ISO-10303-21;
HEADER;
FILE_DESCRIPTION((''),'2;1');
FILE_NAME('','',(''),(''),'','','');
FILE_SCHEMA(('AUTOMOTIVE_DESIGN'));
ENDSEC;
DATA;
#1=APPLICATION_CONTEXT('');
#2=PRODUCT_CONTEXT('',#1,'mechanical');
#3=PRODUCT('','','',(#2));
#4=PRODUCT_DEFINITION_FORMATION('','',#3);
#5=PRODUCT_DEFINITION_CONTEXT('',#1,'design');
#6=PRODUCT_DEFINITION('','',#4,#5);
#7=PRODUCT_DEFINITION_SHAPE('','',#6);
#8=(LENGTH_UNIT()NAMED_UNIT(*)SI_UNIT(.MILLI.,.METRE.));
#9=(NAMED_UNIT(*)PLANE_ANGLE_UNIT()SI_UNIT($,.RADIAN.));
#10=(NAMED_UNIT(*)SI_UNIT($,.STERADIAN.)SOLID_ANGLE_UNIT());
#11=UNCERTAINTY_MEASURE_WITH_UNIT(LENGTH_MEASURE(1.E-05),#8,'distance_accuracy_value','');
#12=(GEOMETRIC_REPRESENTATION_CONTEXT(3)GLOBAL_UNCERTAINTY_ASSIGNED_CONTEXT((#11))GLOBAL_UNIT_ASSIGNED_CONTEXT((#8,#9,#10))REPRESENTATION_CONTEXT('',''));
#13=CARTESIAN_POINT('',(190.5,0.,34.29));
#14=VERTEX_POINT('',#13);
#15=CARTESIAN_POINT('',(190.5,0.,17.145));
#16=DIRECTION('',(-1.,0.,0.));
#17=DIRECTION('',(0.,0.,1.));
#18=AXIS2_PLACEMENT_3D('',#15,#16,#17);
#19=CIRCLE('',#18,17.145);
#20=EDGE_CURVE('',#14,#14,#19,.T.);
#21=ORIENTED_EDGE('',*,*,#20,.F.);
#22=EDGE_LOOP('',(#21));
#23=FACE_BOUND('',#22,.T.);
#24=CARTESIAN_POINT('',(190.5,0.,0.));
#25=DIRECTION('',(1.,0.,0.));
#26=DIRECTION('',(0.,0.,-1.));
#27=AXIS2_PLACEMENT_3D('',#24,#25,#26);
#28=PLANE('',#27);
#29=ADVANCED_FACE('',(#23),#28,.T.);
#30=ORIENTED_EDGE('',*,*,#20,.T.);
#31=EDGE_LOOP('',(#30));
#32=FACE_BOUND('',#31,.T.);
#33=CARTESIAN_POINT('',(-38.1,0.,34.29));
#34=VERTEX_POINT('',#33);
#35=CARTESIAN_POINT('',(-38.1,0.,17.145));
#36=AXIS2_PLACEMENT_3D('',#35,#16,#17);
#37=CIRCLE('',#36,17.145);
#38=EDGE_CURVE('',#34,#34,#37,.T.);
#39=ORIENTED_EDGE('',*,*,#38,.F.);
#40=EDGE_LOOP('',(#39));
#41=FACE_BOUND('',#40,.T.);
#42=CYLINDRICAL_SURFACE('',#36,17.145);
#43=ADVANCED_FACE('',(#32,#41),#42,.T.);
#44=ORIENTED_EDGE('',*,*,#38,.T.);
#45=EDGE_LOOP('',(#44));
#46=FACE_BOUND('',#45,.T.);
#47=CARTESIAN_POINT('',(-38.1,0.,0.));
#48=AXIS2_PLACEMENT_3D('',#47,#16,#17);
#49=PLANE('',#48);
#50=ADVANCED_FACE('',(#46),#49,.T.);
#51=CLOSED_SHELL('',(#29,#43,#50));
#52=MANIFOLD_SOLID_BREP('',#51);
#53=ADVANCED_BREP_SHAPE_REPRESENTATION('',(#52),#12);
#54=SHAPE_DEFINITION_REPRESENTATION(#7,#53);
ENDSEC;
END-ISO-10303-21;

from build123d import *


with BuildPart() as part:
    # Sketch1 one side → Revolve2 (revolve)
    with BuildSketch(Plane(origin=(0, 0, 0), x_dir=(1, 0, 0), z_dir=(0, 1, 0))):
        Polygon((152.4, 0), (0, 0), (-38.1, 0), (-38.1, -17.145), (190.5, -17.145), (190.5, 0), align=None)
    revolve(axis=Axis((-38.1, 0, 17.145), (1, 0, 0)))


solid = part.part
